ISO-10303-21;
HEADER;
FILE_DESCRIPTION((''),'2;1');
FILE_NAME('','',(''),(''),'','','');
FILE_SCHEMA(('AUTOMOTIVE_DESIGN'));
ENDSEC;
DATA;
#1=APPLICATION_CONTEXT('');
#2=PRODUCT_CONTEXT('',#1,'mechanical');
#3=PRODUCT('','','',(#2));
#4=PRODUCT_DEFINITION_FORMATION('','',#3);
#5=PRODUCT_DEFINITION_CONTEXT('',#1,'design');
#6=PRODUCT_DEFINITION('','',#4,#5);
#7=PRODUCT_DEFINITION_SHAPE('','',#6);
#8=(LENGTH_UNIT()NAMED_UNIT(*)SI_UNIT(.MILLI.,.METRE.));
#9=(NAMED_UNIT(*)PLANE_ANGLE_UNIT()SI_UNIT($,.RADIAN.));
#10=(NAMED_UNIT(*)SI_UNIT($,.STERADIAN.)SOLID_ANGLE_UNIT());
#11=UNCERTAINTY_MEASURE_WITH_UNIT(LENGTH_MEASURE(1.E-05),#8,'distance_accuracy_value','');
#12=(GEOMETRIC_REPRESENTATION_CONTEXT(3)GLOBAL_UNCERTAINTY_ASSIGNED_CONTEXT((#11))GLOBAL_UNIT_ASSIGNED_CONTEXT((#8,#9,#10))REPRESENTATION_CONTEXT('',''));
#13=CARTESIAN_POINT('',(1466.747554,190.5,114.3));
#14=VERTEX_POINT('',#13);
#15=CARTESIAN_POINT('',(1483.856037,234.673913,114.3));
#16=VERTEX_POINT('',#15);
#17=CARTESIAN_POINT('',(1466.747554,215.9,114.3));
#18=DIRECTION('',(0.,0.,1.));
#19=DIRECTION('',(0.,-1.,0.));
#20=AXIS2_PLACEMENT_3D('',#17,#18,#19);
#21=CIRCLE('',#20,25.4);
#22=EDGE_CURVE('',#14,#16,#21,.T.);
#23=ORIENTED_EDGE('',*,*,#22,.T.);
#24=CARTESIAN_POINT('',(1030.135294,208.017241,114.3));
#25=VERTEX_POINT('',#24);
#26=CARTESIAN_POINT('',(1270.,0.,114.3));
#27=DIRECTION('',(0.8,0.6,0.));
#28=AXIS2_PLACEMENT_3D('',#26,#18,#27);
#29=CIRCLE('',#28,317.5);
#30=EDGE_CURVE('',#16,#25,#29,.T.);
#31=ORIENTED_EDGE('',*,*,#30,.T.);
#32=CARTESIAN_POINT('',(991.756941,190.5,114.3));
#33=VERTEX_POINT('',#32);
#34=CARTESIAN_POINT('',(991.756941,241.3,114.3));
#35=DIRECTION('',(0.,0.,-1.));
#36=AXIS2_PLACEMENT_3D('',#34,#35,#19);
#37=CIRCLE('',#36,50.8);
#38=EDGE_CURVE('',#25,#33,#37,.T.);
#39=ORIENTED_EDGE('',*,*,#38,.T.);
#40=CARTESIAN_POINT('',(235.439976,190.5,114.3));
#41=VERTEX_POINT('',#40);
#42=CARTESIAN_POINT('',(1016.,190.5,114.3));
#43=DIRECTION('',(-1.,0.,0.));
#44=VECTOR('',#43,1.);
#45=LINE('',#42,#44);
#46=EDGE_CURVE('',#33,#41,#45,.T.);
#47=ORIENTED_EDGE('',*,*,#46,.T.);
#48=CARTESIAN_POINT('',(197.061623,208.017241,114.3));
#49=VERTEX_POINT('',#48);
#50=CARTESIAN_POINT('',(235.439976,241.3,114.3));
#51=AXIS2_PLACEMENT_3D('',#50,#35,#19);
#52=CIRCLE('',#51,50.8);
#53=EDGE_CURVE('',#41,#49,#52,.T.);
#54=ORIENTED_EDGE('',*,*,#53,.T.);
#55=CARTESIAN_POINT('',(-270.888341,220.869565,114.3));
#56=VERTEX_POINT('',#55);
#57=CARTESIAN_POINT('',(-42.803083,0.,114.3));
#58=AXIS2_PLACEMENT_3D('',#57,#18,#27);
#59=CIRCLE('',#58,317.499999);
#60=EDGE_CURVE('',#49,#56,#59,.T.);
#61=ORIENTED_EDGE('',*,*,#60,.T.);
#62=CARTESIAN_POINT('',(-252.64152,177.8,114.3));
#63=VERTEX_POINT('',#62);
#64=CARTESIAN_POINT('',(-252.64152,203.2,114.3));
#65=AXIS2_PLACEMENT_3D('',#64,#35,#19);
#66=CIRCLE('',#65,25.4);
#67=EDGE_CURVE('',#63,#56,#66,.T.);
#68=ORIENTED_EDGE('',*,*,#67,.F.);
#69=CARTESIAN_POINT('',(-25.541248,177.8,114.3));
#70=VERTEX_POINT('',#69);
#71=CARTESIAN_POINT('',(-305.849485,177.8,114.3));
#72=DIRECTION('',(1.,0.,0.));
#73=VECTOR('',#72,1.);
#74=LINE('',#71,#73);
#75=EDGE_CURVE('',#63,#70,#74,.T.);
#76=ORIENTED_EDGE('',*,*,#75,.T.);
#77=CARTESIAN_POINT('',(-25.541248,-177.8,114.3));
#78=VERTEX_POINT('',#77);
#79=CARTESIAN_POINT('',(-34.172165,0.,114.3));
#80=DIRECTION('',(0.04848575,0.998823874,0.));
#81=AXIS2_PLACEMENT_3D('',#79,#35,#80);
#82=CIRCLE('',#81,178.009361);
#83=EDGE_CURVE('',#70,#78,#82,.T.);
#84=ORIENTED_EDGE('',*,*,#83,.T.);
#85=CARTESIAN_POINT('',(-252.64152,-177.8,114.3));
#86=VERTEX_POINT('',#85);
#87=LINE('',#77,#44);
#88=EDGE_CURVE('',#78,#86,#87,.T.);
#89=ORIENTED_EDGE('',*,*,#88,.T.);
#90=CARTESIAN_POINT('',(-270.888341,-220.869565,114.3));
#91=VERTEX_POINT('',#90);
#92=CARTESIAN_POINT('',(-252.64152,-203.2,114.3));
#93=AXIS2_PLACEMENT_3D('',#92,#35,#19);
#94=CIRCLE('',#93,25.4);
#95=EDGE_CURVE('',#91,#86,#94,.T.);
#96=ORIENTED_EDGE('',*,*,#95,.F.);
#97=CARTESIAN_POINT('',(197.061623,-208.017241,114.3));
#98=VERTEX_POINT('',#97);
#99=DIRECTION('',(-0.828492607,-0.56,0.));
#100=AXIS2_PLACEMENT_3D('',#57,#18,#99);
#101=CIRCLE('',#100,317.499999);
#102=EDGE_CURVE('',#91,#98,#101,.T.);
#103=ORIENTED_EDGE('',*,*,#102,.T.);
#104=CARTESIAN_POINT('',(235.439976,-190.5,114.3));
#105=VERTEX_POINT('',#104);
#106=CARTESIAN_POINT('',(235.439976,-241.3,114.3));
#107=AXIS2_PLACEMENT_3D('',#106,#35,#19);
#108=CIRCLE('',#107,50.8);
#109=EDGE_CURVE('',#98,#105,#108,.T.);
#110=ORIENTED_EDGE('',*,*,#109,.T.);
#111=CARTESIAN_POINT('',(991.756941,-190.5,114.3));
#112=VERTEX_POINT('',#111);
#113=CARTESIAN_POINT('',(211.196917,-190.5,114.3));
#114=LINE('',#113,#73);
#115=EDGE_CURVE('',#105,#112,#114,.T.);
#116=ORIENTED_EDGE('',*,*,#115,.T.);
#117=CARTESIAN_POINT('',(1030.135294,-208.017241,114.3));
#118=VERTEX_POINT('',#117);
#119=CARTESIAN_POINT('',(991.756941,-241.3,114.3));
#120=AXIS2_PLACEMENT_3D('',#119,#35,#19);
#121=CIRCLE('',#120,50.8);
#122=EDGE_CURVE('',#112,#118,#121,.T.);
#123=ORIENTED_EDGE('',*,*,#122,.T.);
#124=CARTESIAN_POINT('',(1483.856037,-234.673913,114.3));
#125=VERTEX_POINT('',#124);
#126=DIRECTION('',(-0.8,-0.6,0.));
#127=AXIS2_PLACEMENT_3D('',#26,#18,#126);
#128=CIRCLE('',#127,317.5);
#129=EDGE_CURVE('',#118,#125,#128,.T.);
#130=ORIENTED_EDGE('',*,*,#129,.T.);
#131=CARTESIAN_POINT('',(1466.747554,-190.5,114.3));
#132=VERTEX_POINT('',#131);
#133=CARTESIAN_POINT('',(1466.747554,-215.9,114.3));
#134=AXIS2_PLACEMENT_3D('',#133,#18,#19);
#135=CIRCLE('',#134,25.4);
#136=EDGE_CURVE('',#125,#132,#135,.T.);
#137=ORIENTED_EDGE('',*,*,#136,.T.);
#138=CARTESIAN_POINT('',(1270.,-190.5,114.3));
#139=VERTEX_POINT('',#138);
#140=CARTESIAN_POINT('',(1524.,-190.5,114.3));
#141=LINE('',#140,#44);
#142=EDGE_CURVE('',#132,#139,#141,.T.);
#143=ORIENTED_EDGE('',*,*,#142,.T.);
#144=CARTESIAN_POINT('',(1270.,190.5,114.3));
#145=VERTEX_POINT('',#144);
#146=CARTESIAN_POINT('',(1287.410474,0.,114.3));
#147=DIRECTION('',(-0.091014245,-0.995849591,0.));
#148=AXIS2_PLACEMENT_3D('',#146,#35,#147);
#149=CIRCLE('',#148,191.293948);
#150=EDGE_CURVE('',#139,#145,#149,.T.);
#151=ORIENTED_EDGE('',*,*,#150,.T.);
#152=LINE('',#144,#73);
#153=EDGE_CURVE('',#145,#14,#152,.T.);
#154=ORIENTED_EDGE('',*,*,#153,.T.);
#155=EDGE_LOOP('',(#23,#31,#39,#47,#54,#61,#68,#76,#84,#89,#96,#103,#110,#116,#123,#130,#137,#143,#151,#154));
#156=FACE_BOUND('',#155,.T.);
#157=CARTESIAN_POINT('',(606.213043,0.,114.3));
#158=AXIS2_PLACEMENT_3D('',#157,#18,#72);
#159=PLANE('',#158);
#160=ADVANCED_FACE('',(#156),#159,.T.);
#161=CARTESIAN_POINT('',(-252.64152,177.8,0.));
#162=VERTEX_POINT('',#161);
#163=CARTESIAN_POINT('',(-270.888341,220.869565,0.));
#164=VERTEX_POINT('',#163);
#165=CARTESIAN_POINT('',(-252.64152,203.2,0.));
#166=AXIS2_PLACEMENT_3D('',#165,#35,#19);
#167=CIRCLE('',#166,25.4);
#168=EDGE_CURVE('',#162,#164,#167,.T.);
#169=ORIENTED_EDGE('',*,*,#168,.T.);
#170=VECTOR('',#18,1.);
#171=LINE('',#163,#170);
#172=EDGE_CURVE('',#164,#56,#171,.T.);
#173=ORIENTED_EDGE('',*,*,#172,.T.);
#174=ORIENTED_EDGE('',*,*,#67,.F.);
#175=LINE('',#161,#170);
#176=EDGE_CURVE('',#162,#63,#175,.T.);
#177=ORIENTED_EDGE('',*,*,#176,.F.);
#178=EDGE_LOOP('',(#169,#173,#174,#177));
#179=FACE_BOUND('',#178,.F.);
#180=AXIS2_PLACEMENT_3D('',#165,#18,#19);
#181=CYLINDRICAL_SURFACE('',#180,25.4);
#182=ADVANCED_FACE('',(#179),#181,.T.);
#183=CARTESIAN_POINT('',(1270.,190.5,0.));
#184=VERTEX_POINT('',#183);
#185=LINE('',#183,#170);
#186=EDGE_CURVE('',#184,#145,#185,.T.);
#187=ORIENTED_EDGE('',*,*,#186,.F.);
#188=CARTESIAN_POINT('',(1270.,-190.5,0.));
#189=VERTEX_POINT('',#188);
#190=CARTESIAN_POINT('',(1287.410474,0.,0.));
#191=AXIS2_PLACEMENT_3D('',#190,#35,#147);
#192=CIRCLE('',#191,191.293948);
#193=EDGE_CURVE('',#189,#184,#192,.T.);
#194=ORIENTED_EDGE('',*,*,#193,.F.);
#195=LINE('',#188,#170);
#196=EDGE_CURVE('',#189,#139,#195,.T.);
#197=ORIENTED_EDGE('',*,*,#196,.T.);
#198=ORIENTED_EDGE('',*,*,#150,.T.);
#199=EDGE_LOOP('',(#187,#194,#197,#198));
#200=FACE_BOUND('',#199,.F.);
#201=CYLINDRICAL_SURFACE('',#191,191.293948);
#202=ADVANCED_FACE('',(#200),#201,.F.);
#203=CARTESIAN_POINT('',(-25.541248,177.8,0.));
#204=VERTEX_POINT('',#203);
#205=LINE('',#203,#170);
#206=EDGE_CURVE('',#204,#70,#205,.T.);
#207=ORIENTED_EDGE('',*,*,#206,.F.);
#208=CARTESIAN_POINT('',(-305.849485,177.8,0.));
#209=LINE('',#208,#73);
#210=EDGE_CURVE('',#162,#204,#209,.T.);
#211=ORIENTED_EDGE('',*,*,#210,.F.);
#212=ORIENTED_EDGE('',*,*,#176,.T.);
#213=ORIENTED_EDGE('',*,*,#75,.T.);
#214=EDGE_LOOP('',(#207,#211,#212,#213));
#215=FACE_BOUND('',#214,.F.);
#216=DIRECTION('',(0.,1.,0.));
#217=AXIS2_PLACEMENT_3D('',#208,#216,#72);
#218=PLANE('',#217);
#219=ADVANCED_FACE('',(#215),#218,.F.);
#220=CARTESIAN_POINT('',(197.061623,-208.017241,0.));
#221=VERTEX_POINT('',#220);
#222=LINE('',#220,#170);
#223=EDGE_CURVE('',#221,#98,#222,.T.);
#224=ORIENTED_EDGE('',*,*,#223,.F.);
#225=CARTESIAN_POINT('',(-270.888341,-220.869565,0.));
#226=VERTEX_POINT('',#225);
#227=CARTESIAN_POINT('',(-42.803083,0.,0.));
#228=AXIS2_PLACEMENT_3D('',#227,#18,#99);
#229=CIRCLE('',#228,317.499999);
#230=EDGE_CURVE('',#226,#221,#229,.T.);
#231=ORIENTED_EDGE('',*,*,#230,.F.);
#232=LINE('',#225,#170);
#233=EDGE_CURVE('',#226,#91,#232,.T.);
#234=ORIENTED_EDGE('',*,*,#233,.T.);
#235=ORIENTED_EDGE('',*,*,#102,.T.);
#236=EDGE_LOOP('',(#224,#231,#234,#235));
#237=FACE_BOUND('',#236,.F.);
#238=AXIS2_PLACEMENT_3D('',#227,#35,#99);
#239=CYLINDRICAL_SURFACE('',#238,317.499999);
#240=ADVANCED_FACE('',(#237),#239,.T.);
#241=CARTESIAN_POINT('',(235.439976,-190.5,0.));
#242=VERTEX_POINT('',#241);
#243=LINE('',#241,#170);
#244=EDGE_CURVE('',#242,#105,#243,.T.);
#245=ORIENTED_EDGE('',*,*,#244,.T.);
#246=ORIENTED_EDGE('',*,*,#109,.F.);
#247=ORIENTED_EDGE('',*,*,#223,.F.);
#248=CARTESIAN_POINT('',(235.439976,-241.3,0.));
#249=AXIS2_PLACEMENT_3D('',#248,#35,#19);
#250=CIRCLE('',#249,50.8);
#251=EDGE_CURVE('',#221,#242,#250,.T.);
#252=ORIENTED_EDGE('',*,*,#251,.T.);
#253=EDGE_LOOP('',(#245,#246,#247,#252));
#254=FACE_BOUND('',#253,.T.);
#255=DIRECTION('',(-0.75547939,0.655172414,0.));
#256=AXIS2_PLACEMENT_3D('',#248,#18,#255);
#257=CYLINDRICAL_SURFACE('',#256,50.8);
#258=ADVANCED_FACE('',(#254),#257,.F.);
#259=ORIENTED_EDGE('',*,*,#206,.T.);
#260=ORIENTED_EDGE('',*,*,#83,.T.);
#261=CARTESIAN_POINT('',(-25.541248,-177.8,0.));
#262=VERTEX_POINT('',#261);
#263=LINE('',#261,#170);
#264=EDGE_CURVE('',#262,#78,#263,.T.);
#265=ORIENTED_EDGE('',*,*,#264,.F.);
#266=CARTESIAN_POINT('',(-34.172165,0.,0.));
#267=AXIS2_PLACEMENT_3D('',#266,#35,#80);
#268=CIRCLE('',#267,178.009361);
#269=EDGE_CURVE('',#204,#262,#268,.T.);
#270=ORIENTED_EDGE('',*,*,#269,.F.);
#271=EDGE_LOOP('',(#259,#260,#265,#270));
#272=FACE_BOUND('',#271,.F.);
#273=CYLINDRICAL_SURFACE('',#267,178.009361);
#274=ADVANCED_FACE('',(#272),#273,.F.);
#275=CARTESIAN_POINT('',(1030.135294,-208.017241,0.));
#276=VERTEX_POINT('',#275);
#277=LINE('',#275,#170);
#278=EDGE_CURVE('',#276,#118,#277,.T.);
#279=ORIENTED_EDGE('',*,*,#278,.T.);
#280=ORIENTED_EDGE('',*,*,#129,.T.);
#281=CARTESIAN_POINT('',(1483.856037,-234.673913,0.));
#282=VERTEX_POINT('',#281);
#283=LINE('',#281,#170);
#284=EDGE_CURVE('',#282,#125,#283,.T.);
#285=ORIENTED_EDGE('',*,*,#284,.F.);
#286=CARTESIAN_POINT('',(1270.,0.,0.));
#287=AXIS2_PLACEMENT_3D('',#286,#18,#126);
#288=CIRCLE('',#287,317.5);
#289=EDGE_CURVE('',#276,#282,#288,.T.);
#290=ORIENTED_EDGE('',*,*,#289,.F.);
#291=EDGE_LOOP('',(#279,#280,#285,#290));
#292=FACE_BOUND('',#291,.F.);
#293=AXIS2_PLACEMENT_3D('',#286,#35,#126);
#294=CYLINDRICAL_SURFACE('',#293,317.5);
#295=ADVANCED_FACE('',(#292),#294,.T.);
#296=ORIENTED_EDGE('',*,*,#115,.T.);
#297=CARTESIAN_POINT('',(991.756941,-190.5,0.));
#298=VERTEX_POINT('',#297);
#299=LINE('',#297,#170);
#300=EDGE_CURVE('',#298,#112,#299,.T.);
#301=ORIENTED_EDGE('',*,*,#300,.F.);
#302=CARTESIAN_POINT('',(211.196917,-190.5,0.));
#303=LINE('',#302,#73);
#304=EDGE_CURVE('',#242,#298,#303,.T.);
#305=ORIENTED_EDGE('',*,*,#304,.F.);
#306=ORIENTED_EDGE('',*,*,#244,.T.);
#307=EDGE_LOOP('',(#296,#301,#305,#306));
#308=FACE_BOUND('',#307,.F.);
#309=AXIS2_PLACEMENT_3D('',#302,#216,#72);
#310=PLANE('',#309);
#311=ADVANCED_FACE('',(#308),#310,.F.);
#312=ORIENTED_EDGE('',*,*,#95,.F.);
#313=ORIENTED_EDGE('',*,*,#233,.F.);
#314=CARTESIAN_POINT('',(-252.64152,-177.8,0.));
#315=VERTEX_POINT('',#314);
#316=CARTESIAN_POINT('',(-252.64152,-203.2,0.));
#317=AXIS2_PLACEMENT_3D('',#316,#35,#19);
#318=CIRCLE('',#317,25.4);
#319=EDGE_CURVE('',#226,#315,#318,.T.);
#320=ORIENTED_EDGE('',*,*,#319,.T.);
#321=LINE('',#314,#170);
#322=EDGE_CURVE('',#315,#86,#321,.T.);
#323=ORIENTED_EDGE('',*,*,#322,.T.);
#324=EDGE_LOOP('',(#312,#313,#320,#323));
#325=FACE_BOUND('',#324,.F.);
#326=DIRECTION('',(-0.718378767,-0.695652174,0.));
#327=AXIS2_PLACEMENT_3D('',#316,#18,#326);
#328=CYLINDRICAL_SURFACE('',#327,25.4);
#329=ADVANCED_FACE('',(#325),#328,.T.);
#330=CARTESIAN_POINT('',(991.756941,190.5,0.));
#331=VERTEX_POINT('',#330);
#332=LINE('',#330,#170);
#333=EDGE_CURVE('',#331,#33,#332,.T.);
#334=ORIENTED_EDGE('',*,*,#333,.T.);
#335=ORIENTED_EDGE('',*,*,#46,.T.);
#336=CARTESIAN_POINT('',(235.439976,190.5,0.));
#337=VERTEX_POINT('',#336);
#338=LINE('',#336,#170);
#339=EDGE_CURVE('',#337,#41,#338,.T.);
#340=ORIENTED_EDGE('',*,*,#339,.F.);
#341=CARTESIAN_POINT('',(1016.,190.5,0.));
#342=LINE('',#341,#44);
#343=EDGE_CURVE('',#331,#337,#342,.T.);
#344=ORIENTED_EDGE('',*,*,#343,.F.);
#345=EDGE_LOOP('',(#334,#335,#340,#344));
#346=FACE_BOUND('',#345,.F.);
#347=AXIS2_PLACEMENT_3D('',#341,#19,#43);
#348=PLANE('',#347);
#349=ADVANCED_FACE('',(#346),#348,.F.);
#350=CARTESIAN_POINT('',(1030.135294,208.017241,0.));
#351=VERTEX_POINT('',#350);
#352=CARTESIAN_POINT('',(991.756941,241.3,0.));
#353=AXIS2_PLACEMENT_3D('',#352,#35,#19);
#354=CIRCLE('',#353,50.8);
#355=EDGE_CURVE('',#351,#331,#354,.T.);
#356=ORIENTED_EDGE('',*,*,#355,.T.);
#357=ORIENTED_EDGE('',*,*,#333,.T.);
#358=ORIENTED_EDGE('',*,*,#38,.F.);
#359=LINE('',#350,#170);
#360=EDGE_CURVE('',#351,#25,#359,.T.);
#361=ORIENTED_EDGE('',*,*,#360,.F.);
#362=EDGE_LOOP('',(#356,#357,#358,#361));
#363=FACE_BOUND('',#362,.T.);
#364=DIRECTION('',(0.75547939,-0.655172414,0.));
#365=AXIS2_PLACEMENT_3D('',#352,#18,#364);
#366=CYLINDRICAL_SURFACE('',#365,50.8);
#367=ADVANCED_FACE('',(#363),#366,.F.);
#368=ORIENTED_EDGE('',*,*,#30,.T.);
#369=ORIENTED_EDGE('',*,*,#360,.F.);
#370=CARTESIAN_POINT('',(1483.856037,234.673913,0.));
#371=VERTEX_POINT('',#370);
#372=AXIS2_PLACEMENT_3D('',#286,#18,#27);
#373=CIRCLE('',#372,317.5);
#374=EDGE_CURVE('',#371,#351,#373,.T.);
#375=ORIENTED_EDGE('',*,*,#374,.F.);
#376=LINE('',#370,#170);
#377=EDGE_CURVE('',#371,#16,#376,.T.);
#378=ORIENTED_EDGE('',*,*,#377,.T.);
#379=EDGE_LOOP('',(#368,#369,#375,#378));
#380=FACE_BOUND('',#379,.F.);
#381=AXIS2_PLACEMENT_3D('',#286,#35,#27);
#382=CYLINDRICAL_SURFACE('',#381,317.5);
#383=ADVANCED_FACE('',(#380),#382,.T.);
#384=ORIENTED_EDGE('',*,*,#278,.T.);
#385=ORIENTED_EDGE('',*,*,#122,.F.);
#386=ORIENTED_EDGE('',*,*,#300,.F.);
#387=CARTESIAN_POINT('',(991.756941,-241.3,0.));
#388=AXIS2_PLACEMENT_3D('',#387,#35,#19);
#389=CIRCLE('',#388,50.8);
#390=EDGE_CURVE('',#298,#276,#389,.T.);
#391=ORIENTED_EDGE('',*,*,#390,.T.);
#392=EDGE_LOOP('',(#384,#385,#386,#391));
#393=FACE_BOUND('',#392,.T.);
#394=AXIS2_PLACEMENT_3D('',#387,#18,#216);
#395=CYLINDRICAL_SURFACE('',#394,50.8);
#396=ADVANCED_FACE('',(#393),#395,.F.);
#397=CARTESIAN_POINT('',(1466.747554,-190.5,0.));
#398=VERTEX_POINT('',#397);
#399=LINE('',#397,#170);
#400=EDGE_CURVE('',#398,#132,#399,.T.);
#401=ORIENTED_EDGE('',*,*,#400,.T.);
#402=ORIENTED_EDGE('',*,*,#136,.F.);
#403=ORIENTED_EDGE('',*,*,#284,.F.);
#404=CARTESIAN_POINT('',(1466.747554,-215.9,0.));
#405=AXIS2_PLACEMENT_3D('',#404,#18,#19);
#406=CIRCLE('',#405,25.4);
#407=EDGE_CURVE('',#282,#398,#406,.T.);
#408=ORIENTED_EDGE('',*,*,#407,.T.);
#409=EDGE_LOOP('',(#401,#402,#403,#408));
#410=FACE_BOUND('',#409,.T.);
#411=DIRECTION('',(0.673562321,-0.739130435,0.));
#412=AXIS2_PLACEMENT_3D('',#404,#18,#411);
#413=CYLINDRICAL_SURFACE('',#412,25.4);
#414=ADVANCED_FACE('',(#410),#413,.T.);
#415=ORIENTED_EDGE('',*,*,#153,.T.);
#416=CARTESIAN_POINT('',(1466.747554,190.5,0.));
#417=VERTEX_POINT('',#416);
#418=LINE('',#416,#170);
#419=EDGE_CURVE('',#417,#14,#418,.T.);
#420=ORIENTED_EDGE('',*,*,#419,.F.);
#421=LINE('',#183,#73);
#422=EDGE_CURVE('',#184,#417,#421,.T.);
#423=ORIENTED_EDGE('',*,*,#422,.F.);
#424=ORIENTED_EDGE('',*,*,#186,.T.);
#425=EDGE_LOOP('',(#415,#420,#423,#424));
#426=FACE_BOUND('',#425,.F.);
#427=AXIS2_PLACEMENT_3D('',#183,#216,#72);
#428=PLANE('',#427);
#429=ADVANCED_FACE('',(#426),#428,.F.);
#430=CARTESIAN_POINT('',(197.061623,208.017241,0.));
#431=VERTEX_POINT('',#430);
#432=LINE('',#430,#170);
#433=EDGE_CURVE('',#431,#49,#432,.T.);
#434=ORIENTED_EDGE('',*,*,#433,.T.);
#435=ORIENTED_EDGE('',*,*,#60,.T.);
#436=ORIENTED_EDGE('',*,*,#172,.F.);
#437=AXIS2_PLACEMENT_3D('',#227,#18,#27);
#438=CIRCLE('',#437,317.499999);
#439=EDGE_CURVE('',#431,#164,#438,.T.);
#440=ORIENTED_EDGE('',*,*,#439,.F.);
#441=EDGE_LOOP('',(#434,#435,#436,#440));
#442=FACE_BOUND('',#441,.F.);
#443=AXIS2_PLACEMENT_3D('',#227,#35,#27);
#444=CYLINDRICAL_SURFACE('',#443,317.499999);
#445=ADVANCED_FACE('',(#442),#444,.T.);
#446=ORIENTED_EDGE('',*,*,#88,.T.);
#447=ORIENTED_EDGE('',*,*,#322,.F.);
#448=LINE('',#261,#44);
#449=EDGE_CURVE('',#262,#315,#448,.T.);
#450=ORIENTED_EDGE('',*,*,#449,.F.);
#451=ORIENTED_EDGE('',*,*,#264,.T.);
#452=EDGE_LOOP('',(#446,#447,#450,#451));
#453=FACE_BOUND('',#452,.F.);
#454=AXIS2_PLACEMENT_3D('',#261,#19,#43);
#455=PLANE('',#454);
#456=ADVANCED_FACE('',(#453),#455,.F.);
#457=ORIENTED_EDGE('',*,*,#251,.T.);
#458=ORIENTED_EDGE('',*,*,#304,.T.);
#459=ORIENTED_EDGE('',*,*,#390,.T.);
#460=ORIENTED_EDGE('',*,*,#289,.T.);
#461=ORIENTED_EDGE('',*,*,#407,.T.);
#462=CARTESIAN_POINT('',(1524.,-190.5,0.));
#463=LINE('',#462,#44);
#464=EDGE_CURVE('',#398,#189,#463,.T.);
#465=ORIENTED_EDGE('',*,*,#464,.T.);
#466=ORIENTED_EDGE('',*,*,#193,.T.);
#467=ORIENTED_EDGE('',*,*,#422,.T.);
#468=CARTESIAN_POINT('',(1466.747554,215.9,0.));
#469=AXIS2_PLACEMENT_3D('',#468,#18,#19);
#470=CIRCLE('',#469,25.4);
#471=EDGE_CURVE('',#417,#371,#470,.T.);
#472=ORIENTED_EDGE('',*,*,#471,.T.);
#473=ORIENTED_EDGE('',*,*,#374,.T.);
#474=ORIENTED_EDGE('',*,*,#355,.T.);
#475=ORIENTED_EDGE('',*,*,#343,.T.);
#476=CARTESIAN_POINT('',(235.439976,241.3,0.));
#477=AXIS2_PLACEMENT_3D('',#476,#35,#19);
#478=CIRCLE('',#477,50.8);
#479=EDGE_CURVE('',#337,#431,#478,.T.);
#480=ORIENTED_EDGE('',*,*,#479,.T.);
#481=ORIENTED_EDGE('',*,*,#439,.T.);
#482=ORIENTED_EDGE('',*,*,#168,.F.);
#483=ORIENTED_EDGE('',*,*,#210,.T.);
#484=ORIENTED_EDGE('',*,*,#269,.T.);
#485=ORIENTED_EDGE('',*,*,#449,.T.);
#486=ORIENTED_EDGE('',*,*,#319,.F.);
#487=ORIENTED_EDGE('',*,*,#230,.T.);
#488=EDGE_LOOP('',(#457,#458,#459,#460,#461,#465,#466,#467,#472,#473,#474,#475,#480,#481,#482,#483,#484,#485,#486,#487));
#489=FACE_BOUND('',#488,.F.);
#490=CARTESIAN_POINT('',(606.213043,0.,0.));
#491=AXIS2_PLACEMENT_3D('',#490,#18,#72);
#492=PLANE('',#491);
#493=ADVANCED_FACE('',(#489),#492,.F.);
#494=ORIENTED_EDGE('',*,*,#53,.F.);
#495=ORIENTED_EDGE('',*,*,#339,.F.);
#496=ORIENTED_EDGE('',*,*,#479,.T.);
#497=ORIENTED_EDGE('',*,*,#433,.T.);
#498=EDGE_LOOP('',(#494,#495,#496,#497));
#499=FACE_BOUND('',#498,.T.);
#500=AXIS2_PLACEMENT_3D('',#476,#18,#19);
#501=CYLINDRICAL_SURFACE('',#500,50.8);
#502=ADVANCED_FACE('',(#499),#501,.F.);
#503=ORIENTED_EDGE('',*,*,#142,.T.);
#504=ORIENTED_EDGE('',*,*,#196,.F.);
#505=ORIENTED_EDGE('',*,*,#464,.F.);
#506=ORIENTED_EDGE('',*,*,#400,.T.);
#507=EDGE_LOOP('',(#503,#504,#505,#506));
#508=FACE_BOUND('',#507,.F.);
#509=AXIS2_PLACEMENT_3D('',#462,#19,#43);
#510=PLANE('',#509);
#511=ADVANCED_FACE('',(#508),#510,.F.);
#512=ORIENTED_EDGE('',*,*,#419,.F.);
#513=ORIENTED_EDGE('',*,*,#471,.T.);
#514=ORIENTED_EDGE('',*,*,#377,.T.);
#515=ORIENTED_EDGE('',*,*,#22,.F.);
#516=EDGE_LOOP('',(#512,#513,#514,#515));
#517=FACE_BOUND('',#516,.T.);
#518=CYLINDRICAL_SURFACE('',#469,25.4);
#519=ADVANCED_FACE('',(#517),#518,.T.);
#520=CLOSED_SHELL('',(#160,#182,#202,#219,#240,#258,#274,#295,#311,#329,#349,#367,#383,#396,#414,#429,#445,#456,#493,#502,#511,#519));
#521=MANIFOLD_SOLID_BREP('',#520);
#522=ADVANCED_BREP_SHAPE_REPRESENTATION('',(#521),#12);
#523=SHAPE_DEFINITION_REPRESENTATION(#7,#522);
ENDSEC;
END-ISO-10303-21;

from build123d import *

# Parameters (mm, degrees)
F1_DEPTH = 114.3
F2_R     = 50.8
F3_R     = 25.4


with BuildPart() as f1:
    # F0 (on Top) → F1 (new body)
    with BuildSketch(Plane.XY):
        with BuildLine():
            Line((-42.803083, -177.8), (-305.849485, -177.8))
            ThreePointArc((-305.849485, -177.8), (-50.599354, -317.404266), (211.196917, -190.5))
            Line((211.196917, -190.5), (1016, -190.5))
            ThreePointArc((1016, -190.5), (1270, -317.5), (1524, -190.5))
            Line((1524, -190.5), (1270, -190.5))
            ThreePointArc((1270, -190.5), (1096.116526, 0), (1270, 190.5))
            Line((1270, 190.5), (1524, 190.5))
            ThreePointArc((1524, 190.5), (1270, 317.5), (1016, 190.5))
            Line((1016, 190.5), (211.196917, 190.5))
            ThreePointArc((211.196917, 190.5), (-50.599354, 317.404266), (-305.849485, 177.8))
            Line((-305.849485, 177.8), (-42.803083, 177.8))
            ThreePointArc((-42.803083, 177.8), (-34.172165, 178.009361), (-25.541248, 177.8))
            ThreePointArc((-25.541248, 177.8), (143.837196, 0), (-25.541248, -177.8))
            ThreePointArc((-25.541248, -177.8), (-34.172165, -178.009361), (-42.803083, -177.8))
        make_face()
        with BuildLine():
            Line((-25.541248, -177.8), (-42.803083, -177.8))
            ThreePointArc((-42.803083, -177.8), (-34.172165, -178.009361), (-25.541248, -177.8))
        make_face()
        with BuildLine():
            Line((-42.803083, 177.8), (-25.541248, 177.8))
            ThreePointArc((-25.541248, 177.8), (-34.172165, 178.009361), (-42.803083, 177.8))
        make_face()
    extrude(amount=F1_DEPTH)

    # F2
    f2_edges = [f1.edges().sort_by_distance(p)[0] for p in [
        (211.196917, 190.5, 57.15),
        (1016, 190.5, 57.15),
        (211.196917, -190.5, 57.15),
        (1016, -190.5, 57.15),
    ]]
    fillet(f2_edges, radius=F2_R)

    # F3
    f3_edges = [f1.edges().sort_by_distance(p)[0] for p in [
        (-305.849485, 177.8, 57.15),
        (-305.849485, -177.8, 57.15),
        (1524, 190.5, 57.15),
        (1524, -190.5, 57.15),
    ]]
    fillet(f3_edges, radius=F3_R)


solid = f1.part
